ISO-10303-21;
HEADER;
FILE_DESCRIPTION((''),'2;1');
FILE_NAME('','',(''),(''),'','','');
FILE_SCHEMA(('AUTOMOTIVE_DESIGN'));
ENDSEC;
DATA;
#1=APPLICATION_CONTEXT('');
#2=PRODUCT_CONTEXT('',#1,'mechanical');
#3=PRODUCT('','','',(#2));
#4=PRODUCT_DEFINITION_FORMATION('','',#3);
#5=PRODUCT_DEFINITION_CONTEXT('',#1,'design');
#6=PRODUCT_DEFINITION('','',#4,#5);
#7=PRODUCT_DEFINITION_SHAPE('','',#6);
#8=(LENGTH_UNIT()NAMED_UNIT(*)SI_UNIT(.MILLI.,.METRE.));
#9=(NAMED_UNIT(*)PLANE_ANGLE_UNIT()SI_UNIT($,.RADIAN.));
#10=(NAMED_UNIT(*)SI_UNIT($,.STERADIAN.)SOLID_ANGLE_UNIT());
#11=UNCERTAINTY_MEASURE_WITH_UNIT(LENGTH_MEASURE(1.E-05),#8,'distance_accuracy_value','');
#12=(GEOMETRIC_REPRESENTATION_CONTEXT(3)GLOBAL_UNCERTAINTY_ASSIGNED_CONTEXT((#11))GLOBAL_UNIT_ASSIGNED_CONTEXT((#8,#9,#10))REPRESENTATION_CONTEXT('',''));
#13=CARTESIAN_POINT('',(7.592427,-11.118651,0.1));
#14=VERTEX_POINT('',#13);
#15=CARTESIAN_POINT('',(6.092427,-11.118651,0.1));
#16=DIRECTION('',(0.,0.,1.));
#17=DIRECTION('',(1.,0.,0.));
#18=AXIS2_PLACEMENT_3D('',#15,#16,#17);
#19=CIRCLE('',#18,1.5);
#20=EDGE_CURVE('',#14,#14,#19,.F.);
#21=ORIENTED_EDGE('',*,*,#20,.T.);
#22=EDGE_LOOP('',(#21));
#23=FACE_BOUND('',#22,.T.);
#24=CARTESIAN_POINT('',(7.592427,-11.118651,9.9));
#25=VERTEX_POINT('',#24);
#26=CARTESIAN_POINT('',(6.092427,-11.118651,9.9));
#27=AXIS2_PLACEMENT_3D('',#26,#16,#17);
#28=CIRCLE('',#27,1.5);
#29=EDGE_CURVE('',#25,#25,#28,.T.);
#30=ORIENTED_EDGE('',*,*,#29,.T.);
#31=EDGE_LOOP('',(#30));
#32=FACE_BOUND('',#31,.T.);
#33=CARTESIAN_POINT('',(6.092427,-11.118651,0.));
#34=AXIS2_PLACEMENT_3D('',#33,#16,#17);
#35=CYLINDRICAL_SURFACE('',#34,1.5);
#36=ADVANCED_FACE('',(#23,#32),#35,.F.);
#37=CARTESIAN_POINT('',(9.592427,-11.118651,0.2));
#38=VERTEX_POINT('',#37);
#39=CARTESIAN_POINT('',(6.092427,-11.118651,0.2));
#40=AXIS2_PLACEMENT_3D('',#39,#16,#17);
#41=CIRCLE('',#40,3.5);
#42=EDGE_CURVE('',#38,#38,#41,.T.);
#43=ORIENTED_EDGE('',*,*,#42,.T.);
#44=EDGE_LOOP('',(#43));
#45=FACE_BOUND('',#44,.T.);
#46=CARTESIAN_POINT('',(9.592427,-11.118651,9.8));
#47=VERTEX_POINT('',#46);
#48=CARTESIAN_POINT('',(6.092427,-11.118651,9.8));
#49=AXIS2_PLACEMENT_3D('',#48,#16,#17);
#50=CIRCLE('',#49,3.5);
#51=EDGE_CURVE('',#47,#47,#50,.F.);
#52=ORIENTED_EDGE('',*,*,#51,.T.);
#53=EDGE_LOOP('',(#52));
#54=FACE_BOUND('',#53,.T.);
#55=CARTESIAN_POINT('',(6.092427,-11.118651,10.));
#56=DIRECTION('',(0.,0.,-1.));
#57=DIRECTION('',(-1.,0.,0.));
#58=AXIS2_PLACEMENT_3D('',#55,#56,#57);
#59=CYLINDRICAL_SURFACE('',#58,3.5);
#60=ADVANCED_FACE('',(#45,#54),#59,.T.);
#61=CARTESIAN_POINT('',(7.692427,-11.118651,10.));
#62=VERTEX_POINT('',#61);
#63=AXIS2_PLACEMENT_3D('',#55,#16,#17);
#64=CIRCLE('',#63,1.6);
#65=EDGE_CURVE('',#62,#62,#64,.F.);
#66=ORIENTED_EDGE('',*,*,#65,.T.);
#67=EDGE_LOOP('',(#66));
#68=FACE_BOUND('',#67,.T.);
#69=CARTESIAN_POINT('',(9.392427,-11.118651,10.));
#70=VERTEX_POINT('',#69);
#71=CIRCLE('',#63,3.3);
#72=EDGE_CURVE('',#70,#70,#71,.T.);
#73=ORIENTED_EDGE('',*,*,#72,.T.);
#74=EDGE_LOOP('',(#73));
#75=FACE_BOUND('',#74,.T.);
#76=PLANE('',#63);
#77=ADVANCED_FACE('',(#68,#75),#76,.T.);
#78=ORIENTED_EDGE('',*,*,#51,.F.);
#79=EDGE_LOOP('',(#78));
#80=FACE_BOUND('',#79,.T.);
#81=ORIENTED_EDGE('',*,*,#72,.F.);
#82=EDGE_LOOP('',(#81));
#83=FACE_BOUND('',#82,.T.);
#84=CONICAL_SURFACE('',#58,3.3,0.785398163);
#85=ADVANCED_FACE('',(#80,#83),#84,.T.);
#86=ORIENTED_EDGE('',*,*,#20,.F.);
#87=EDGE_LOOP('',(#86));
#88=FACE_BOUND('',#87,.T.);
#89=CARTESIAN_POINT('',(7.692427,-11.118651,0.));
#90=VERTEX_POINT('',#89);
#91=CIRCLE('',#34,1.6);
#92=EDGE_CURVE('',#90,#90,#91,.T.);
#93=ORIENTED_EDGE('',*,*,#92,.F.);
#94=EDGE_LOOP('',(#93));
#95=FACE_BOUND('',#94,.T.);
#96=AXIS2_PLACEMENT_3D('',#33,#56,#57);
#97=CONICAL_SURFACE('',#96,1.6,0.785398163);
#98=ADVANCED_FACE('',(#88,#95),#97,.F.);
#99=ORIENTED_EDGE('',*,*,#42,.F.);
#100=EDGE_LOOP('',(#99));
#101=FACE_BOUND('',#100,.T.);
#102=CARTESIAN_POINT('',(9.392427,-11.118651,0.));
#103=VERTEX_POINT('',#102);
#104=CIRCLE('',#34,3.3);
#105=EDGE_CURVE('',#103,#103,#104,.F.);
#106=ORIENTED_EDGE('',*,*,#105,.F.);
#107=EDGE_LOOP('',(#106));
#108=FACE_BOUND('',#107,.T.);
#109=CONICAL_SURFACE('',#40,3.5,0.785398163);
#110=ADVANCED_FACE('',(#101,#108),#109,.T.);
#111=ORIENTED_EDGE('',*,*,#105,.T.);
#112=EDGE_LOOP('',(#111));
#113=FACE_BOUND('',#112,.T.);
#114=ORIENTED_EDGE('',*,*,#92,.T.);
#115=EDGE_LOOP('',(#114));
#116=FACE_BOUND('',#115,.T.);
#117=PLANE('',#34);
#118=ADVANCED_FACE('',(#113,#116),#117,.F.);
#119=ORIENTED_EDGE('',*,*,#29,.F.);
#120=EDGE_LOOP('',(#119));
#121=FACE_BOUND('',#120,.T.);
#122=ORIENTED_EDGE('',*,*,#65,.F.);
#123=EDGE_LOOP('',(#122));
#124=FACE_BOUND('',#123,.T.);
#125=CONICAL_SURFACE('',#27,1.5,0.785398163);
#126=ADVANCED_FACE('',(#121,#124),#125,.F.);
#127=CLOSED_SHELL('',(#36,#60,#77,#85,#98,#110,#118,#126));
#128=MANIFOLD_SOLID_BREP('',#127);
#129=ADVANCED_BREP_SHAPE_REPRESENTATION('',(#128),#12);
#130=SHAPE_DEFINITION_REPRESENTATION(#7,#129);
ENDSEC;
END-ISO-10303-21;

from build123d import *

# Parameters (mm, degrees)
SKETCH2_R           = 3.5
BOSS_EXTRUDE1_DEPTH = 10
SKETCH3_R           = 1.5
CUT_EXTRUDE1_DEPTH  = 10
CHAMFER1_SIZE       = 0.2
CHAMFER2_SIZE       = 0.1


with BuildPart() as part:
    # Sketch2 → Boss-Extrude1 (new body)
    with BuildSketch(Plane.XY):
        with Locations((6.092427376, -11.118651223)):
            Circle(SKETCH2_R)
    extrude(amount=BOSS_EXTRUDE1_DEPTH)

    # Sketch3 → Cut-Extrude1 (cut)
    with BuildSketch(Plane.XY.offset(10)):
        with Locations((6.092427376, -11.118651223)):
            Circle(SKETCH3_R)
    extrude(amount=-CUT_EXTRUDE1_DEPTH, mode=Mode.SUBTRACT)

    # Chamfer1
    chamfer1_edges = [part.edges().sort_by_distance(p)[0] for p in [
        (2.592427376, -11.118651223, 0),
        (2.592427376, -11.118651223, 10),
    ]]
    chamfer(chamfer1_edges, length=CHAMFER1_SIZE)

    # Chamfer2
    chamfer2_edges = [part.edges().sort_by_distance(p)[0] for p in [
        (4.592427376, -11.118651223, 0),
        (4.592427376, -11.118651223, 10),
    ]]
    chamfer(chamfer2_edges, length=CHAMFER2_SIZE)


solid = part.part
